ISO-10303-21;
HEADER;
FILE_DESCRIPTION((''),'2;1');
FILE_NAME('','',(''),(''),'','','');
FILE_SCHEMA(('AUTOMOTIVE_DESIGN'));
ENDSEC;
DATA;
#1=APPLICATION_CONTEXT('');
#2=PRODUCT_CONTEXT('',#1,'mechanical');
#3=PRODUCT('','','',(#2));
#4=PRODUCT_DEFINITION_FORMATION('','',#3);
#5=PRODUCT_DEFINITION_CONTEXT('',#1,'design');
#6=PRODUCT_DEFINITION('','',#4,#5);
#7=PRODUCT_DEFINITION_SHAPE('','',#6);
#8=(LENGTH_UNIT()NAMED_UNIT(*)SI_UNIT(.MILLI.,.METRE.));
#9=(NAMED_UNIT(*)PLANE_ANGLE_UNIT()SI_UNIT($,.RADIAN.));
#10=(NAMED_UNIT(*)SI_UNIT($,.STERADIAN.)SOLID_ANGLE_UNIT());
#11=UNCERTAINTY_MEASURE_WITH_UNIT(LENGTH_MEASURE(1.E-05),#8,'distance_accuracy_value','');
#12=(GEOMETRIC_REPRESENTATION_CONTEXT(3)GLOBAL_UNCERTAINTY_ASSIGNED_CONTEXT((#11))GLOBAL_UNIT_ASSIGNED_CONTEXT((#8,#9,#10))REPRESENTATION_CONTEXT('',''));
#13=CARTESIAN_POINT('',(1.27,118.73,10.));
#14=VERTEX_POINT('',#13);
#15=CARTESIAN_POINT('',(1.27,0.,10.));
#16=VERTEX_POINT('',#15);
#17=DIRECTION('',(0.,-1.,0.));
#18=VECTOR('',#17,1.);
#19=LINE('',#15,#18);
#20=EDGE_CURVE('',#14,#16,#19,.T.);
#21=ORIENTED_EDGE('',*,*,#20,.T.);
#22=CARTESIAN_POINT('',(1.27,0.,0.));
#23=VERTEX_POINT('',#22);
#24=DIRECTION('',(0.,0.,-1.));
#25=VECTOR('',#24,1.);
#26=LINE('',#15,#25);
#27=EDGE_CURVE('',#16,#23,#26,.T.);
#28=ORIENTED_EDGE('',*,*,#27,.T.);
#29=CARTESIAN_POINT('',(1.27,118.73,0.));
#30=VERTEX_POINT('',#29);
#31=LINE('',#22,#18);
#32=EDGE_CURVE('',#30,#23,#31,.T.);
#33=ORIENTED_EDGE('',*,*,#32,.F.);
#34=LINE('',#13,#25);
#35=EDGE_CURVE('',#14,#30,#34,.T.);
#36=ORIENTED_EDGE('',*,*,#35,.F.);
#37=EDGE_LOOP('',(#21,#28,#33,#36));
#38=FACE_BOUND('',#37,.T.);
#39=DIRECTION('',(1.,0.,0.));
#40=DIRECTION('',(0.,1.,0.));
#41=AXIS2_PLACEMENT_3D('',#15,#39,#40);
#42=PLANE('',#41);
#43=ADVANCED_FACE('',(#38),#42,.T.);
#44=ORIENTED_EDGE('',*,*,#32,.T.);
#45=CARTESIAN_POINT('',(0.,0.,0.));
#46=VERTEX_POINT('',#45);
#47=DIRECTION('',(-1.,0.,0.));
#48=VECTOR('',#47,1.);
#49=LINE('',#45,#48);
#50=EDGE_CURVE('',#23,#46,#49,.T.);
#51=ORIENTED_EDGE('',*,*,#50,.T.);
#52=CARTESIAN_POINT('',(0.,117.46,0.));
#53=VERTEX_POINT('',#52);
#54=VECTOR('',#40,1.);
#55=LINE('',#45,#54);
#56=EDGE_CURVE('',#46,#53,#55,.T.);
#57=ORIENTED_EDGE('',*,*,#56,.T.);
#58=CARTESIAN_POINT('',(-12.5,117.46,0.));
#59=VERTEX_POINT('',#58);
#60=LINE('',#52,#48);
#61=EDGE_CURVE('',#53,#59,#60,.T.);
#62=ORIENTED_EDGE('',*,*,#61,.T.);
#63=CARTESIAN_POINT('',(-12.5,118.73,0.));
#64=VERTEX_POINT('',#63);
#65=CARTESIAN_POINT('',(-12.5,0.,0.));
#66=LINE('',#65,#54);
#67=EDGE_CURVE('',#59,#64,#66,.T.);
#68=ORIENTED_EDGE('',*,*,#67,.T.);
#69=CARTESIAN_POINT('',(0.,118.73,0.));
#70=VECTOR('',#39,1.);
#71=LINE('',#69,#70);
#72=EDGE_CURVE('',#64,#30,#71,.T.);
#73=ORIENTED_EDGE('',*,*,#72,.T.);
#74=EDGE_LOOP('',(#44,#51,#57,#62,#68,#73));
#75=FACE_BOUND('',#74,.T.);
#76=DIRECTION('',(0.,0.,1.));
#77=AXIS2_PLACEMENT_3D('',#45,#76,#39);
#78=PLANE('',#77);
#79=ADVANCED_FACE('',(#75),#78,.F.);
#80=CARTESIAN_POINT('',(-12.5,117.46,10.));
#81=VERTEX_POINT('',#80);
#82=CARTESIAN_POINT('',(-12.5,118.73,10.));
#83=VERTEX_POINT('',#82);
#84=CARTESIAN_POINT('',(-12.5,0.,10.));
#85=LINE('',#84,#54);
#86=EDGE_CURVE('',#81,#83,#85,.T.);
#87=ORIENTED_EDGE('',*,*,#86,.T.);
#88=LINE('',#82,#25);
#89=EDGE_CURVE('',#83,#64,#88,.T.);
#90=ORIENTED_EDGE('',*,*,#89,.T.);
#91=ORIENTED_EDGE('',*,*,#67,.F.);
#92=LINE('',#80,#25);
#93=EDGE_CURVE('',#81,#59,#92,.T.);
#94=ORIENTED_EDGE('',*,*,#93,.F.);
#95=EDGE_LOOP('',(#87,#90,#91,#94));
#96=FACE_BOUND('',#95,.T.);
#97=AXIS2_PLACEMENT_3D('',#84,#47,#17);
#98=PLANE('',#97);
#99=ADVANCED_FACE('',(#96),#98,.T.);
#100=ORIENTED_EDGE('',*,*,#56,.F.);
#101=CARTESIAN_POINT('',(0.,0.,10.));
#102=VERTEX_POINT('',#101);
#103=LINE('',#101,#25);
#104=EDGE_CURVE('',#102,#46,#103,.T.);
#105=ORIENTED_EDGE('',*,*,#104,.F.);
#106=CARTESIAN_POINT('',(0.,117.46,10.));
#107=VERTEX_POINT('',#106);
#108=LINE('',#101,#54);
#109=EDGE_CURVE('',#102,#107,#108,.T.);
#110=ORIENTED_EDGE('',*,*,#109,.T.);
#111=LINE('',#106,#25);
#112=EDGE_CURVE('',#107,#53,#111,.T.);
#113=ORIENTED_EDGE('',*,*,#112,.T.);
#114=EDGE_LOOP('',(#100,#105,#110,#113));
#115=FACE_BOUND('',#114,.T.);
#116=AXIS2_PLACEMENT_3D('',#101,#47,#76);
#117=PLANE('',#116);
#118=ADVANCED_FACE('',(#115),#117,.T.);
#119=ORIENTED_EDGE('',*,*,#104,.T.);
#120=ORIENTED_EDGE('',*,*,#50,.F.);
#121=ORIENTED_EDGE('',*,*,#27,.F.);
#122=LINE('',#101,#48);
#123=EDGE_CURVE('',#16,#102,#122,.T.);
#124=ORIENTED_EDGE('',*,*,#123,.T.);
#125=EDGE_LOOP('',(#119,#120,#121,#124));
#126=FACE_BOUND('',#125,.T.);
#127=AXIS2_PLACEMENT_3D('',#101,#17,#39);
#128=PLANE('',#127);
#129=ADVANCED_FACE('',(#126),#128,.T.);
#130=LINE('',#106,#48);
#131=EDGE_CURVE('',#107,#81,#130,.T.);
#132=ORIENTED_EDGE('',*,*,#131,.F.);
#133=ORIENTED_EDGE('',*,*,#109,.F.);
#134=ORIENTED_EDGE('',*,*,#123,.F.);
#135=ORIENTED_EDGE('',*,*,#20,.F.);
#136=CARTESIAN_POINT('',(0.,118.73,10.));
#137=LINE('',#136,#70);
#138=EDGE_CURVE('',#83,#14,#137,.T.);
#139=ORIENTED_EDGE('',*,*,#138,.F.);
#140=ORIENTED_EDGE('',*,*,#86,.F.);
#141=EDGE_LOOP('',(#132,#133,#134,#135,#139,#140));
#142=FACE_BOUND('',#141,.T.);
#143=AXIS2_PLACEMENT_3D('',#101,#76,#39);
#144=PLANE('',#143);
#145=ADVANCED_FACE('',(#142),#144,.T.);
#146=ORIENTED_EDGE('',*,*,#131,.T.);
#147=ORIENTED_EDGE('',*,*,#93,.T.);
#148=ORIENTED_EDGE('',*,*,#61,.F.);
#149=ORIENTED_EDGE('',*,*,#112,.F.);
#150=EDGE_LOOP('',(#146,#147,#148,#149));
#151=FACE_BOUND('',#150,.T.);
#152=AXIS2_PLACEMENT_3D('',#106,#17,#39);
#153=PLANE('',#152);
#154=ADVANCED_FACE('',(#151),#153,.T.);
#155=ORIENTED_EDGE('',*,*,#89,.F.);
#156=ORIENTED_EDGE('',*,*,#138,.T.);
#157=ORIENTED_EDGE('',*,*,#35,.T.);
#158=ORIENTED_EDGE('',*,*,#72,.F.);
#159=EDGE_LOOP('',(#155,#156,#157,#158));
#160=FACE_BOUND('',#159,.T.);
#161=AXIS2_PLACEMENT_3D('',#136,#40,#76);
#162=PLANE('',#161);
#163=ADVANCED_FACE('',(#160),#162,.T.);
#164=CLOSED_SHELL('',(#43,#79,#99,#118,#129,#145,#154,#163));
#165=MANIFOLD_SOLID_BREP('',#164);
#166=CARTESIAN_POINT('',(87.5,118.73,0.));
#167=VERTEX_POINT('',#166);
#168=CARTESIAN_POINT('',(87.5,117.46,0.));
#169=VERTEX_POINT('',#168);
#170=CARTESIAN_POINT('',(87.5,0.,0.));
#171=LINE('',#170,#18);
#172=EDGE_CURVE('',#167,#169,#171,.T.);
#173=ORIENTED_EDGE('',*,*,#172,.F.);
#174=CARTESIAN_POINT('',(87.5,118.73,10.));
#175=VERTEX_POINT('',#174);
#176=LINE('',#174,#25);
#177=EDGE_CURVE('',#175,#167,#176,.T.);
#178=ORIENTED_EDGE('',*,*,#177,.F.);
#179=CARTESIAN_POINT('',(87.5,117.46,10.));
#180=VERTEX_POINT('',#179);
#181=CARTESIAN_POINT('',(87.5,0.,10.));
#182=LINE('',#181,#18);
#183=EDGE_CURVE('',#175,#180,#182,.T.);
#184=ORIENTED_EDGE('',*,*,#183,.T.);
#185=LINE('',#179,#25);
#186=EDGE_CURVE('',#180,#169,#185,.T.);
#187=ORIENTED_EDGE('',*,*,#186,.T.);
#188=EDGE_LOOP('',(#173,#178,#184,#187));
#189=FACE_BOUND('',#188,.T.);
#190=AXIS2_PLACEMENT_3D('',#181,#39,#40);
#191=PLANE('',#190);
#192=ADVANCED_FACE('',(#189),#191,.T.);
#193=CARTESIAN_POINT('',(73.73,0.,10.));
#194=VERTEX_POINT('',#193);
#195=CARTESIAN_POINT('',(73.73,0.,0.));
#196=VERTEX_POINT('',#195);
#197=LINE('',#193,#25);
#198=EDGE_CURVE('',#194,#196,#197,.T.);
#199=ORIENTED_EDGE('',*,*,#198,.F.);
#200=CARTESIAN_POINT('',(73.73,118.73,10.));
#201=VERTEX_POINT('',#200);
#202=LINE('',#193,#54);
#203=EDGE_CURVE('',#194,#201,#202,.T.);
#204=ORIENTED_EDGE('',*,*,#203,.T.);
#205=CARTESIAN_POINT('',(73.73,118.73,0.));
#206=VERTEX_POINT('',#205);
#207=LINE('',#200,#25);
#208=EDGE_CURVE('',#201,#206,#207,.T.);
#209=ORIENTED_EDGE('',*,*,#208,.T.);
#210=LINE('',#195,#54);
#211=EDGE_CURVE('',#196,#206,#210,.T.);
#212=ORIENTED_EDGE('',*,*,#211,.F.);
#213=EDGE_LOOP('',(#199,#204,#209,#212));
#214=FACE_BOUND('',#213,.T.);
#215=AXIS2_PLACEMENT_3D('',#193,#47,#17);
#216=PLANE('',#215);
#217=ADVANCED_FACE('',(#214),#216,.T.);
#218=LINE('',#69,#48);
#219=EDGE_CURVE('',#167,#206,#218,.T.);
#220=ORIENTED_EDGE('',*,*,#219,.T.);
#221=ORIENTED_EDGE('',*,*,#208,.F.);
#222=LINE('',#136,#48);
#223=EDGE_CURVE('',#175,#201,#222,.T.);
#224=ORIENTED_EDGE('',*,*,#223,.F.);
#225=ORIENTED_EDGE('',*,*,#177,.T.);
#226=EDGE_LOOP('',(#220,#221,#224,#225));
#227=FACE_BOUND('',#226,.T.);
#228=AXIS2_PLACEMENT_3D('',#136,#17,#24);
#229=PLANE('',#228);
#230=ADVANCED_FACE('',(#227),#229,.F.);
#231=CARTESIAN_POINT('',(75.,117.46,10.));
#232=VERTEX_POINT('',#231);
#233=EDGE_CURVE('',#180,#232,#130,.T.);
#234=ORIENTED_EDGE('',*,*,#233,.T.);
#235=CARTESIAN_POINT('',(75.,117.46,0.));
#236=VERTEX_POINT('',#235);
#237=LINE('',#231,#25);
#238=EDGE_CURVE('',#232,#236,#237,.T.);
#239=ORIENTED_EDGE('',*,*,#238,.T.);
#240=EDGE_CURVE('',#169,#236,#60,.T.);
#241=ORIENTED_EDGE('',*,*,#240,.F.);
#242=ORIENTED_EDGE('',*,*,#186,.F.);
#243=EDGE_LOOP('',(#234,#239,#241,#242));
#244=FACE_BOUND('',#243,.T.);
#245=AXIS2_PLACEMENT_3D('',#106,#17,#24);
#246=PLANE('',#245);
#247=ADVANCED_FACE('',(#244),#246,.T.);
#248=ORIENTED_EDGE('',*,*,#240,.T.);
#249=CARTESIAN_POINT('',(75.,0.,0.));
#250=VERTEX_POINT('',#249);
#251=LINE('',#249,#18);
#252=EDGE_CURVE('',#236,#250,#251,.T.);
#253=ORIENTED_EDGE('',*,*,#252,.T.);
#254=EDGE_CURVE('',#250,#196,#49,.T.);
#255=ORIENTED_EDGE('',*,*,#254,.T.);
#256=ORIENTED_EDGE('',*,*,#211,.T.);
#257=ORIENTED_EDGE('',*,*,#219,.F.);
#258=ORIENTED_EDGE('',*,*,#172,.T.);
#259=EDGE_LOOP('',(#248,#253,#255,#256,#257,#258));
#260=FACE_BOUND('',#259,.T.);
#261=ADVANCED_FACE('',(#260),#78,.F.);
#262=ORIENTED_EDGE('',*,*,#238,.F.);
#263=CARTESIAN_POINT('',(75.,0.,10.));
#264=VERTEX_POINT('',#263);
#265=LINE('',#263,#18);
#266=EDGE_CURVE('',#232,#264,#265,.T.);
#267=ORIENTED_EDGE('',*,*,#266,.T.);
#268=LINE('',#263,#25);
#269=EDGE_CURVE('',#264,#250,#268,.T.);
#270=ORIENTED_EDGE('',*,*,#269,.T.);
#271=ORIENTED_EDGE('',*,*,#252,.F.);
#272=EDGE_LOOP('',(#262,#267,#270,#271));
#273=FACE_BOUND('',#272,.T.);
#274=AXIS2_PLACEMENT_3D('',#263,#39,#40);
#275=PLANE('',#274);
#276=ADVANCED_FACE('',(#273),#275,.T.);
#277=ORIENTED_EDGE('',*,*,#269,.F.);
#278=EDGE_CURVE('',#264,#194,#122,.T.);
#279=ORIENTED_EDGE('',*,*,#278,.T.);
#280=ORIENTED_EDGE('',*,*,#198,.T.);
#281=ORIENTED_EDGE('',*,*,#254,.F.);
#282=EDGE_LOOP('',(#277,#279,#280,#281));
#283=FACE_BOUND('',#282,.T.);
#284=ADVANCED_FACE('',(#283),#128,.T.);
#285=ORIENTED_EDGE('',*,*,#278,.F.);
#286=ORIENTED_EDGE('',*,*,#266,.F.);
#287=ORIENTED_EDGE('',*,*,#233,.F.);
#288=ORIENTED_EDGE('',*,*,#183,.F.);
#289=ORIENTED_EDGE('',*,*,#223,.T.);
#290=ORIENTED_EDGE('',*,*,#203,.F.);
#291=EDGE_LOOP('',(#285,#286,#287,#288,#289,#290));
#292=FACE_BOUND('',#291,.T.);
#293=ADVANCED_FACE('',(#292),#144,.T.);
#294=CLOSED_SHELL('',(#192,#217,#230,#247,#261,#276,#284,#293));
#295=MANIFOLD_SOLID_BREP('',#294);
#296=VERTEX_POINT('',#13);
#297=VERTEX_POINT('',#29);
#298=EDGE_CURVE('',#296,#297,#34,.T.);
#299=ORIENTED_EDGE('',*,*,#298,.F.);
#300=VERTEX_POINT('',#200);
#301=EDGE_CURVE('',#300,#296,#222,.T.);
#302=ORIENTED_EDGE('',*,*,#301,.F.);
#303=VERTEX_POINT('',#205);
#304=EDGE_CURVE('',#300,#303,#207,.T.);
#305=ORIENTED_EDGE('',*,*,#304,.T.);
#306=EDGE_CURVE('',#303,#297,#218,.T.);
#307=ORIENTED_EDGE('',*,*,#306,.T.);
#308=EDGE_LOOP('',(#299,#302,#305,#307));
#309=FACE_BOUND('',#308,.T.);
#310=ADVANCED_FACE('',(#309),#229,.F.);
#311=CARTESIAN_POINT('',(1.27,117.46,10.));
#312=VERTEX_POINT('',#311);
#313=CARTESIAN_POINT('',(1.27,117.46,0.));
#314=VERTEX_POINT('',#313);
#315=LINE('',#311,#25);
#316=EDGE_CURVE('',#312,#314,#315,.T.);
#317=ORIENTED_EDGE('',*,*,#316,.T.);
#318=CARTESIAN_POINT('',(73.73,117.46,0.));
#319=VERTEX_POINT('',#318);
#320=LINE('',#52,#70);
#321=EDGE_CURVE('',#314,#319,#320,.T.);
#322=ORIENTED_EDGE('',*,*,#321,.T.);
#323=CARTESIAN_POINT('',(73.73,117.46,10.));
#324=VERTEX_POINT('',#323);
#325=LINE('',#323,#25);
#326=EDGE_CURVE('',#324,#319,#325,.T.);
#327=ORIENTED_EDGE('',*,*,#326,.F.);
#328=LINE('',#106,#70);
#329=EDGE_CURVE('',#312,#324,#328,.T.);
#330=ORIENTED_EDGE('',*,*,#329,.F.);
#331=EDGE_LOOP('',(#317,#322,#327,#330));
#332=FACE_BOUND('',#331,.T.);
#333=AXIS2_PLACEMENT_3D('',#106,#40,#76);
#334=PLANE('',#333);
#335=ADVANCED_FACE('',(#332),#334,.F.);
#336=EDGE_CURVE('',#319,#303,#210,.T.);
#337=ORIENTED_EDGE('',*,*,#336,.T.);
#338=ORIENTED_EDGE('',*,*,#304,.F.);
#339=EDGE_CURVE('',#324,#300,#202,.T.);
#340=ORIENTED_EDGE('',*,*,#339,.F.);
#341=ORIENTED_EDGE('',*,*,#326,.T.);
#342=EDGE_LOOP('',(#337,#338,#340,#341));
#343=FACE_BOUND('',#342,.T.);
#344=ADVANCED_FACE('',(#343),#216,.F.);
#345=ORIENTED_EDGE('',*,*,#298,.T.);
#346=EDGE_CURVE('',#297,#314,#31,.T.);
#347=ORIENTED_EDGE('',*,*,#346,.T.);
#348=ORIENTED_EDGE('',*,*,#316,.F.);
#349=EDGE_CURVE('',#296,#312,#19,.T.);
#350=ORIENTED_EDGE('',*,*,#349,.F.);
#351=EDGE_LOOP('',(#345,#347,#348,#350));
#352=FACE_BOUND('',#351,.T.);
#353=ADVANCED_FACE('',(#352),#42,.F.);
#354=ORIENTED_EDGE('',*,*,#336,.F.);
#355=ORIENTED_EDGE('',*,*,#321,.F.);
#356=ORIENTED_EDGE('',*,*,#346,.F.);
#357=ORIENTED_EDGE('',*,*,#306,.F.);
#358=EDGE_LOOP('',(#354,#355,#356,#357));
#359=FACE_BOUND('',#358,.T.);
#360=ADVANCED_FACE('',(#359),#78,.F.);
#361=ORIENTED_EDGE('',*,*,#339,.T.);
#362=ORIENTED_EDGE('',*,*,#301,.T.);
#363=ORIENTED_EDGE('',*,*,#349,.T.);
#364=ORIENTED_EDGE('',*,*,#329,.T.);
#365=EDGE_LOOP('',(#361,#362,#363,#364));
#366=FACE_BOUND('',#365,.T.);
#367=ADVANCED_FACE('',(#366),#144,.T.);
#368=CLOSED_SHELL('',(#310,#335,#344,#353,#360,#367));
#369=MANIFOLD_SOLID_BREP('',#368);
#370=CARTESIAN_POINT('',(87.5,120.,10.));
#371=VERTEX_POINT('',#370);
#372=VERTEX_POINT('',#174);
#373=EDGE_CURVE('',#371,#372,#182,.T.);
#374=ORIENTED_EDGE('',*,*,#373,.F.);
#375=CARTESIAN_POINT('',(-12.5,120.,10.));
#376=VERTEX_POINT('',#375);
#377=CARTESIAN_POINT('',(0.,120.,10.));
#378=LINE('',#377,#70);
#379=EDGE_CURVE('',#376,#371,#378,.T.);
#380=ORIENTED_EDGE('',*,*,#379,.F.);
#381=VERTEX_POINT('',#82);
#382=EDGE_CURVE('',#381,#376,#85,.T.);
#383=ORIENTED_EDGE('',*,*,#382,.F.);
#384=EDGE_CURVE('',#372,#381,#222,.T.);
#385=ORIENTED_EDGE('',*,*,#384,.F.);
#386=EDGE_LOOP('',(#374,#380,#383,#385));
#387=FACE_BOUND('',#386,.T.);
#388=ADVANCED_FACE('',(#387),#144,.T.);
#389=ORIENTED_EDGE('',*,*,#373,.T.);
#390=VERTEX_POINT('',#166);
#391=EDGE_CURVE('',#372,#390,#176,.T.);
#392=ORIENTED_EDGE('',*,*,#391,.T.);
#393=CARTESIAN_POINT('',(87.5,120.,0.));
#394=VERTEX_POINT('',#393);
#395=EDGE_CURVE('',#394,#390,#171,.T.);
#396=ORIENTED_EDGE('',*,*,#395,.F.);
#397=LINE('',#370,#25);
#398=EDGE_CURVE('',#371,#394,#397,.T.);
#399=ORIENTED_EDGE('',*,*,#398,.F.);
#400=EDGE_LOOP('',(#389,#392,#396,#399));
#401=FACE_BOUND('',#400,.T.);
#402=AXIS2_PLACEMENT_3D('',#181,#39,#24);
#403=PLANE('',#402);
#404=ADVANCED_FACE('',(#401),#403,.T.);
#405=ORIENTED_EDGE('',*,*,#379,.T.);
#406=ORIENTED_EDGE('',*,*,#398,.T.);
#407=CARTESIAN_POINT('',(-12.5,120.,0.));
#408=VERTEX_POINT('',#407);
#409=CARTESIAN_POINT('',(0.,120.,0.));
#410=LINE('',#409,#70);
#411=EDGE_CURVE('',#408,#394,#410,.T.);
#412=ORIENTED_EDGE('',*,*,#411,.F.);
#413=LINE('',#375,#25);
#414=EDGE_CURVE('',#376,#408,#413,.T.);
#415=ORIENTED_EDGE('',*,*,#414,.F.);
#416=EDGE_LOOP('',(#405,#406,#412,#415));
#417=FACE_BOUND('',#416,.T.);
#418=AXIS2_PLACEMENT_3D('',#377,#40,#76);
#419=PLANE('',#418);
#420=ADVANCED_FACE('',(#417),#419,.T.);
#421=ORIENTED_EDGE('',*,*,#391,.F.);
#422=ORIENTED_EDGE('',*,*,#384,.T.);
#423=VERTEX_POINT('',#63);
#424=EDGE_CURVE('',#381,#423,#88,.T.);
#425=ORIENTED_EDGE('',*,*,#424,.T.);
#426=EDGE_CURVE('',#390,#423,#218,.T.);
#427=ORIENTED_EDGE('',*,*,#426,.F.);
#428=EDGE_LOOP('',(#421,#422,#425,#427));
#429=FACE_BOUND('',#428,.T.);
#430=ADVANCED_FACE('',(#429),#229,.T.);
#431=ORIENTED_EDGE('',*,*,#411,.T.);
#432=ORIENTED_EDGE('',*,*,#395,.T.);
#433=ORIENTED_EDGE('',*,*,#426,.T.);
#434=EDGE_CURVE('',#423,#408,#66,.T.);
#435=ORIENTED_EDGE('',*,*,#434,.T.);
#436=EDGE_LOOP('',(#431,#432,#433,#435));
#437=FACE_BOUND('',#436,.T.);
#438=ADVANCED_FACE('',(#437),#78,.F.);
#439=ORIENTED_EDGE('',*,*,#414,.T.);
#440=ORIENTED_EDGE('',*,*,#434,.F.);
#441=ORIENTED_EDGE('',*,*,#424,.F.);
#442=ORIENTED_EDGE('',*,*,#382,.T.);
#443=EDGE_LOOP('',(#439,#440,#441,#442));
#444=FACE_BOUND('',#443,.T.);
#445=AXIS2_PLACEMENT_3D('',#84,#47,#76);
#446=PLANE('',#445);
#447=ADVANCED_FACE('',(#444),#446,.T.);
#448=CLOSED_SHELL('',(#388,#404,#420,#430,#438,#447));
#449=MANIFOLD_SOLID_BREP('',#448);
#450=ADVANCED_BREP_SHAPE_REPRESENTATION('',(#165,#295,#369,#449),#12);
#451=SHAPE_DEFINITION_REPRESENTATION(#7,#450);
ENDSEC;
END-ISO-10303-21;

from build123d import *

# Parameters (mm, degrees)
BOSS_EXTRUDE1_DEPTH   = 10
BOSS_EXTRUDE1_2_DEPTH = 10
SKETCH2_4_W           = 72.46
SKETCH2_4_H           = 1.27
BOSS_EXTRUDE2_DEPTH   = 10
BOSS_EXTRUDE3_DEPTH   = 10


with BuildPart() as part:
    # Sketch2 → Boss-Extrude1 (new body)
    with BuildSketch(Plane.XY):
        Polygon((0, 117.46), (0, 0), (1.27, 0), (1.27, 118.73), (-12.5, 118.73), (-12.5, 117.46), align=None)
    extrude(amount=BOSS_EXTRUDE1_DEPTH)


with BuildPart() as body_2:
    # Sketch2 → Boss-Extrude1 2 (new body)
    with BuildSketch(Plane.XY):
        Polygon((73.73, 118.73), (73.73, 0), (75, 0), (75, 117.46), (87.5, 117.46), (87.5, 118.73), align=None)
    extrude(amount=BOSS_EXTRUDE1_2_DEPTH)


with BuildPart() as body_3:
    # Sketch2<4> → Boss-Extrude2 (new body)
    with BuildSketch(Plane.XY):
        with Locations((37.5, 118.095)):
            Rectangle(SKETCH2_4_W, SKETCH2_4_H)
    extrude(amount=BOSS_EXTRUDE2_DEPTH)


with BuildPart() as body_4:
    # Sketch2<5> → Boss-Extrude3 (new body)
    with BuildSketch(Plane.XY):
        Polygon((-12.5, 120), (-12.5, 118.73), (1.27, 118.73), (73.73, 118.73), (87.5, 118.73), (87.5, 120), align=None)
    extrude(amount=BOSS_EXTRUDE3_DEPTH)


solid = Compound([part.part, body_2.part, body_3.part, body_4.part])
